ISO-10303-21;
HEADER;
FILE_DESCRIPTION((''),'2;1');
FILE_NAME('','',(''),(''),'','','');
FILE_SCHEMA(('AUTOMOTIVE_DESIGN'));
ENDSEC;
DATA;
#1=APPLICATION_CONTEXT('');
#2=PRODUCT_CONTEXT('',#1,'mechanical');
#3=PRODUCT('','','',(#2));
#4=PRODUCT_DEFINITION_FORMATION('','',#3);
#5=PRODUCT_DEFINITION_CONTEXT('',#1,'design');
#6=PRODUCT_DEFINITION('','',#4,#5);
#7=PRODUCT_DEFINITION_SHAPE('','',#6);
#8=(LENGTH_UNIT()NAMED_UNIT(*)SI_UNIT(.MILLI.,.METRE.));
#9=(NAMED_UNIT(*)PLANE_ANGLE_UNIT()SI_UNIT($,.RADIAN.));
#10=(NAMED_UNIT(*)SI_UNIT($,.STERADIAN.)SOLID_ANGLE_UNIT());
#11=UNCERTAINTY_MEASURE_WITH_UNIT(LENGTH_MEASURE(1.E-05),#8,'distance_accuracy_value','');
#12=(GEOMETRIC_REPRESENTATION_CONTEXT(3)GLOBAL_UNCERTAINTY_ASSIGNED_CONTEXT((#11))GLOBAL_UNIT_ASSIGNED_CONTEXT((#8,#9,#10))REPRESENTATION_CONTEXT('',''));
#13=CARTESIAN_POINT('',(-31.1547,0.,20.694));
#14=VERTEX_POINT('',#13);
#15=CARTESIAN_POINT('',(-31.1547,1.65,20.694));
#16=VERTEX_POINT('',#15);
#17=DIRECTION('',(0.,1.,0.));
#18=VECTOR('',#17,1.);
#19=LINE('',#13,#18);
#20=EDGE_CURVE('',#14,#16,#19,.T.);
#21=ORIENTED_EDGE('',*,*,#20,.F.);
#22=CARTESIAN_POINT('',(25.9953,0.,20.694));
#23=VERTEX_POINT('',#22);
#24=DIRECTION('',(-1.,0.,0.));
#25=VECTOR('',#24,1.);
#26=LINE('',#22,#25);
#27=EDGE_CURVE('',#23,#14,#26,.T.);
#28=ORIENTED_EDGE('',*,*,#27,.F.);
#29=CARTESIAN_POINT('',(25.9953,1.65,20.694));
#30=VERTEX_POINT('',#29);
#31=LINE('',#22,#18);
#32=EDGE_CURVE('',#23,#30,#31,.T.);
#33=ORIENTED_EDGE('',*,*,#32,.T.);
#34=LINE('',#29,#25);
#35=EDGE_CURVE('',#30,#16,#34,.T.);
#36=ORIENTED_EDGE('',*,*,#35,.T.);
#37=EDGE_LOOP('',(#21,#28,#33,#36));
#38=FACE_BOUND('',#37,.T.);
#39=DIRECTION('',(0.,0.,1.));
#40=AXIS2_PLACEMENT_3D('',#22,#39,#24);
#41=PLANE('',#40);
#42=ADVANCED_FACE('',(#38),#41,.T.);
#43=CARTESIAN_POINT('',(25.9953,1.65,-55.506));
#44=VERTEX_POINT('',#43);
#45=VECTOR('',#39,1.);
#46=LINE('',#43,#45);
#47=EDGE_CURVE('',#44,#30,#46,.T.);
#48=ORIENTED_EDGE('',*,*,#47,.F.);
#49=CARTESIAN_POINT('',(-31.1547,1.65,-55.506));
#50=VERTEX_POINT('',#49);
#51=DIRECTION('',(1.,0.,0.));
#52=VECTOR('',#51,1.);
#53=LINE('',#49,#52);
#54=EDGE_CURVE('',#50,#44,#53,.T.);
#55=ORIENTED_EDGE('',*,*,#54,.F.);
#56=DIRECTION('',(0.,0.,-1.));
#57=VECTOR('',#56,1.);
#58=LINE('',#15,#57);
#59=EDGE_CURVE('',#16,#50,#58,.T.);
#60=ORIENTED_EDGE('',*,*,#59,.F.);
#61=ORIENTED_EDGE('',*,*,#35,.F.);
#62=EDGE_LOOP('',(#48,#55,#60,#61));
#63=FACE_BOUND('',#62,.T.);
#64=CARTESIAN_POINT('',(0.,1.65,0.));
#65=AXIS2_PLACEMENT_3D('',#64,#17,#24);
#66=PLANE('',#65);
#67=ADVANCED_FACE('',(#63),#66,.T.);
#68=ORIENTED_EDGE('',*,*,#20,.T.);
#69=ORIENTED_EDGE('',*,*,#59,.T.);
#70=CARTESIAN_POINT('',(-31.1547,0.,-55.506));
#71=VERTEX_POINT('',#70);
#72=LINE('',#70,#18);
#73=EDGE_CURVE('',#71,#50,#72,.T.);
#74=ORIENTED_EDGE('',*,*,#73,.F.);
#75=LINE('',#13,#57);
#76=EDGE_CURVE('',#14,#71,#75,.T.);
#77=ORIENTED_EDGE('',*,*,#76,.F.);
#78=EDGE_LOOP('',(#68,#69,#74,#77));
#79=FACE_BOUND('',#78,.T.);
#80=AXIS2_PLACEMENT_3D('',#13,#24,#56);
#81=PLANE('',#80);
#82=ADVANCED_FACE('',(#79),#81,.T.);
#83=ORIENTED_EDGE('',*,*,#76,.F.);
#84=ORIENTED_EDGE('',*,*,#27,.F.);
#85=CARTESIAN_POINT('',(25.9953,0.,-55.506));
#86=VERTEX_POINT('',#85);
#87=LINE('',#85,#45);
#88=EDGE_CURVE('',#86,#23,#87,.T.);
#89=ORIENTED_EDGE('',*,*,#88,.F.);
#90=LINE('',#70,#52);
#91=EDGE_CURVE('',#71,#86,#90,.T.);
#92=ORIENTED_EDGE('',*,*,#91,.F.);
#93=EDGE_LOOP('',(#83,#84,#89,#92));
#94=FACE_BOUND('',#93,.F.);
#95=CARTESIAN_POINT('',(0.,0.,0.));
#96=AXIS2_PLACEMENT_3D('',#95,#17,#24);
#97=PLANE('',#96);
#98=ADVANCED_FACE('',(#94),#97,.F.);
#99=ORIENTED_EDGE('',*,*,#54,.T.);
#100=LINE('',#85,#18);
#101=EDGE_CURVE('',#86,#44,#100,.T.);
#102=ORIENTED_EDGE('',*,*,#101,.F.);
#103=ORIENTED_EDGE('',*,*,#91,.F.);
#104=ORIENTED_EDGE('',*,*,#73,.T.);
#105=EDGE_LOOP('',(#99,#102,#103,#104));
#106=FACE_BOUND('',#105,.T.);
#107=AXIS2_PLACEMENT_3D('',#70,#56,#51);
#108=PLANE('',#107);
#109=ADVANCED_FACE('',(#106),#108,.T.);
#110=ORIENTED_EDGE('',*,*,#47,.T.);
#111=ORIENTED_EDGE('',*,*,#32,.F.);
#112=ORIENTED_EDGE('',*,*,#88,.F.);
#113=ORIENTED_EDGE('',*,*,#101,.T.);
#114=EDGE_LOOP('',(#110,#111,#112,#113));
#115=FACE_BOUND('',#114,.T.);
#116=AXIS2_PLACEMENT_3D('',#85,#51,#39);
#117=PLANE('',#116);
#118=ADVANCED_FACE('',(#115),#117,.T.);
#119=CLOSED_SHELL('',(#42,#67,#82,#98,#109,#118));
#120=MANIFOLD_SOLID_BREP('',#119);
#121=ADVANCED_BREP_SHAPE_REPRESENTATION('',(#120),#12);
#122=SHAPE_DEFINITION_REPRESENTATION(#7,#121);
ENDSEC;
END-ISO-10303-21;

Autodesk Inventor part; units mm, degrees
ref_plane "YZ Plane" through (0, 0, 0) normal (1, 0, 0) x (0, 1, 0)
ref_plane "XZ Plane" through (0, 0, 0) normal (0, 1, 0) x (-1, 0, 0)
ref_plane "XY Plane" through (0, 0, 0) normal (0, 0, 1) x (1, 0, 0)
sketch "Sketch1" plane through (0, 0, 0) normal (0, 1, 0) x (-1, 0, 0)
  line L0 (-25.9953, 20.694) -> (31.1547, 20.694)
  line L1 (31.1547, 20.694) -> (31.1547, -55.506)
  line L2 (31.1547, -55.506) -> (-25.9953, -55.506)
  line L3 (-25.9953, -55.506) -> (-25.9953, 20.694)
  point P0 (0, 0)
  dimension "d2" = 57.15
  dimension "d3" = 76.2
extrude "Extrusion1" add sketch "Sketch1" along normal blind 1.65
properties part number "PerfBoard_Peltier"
